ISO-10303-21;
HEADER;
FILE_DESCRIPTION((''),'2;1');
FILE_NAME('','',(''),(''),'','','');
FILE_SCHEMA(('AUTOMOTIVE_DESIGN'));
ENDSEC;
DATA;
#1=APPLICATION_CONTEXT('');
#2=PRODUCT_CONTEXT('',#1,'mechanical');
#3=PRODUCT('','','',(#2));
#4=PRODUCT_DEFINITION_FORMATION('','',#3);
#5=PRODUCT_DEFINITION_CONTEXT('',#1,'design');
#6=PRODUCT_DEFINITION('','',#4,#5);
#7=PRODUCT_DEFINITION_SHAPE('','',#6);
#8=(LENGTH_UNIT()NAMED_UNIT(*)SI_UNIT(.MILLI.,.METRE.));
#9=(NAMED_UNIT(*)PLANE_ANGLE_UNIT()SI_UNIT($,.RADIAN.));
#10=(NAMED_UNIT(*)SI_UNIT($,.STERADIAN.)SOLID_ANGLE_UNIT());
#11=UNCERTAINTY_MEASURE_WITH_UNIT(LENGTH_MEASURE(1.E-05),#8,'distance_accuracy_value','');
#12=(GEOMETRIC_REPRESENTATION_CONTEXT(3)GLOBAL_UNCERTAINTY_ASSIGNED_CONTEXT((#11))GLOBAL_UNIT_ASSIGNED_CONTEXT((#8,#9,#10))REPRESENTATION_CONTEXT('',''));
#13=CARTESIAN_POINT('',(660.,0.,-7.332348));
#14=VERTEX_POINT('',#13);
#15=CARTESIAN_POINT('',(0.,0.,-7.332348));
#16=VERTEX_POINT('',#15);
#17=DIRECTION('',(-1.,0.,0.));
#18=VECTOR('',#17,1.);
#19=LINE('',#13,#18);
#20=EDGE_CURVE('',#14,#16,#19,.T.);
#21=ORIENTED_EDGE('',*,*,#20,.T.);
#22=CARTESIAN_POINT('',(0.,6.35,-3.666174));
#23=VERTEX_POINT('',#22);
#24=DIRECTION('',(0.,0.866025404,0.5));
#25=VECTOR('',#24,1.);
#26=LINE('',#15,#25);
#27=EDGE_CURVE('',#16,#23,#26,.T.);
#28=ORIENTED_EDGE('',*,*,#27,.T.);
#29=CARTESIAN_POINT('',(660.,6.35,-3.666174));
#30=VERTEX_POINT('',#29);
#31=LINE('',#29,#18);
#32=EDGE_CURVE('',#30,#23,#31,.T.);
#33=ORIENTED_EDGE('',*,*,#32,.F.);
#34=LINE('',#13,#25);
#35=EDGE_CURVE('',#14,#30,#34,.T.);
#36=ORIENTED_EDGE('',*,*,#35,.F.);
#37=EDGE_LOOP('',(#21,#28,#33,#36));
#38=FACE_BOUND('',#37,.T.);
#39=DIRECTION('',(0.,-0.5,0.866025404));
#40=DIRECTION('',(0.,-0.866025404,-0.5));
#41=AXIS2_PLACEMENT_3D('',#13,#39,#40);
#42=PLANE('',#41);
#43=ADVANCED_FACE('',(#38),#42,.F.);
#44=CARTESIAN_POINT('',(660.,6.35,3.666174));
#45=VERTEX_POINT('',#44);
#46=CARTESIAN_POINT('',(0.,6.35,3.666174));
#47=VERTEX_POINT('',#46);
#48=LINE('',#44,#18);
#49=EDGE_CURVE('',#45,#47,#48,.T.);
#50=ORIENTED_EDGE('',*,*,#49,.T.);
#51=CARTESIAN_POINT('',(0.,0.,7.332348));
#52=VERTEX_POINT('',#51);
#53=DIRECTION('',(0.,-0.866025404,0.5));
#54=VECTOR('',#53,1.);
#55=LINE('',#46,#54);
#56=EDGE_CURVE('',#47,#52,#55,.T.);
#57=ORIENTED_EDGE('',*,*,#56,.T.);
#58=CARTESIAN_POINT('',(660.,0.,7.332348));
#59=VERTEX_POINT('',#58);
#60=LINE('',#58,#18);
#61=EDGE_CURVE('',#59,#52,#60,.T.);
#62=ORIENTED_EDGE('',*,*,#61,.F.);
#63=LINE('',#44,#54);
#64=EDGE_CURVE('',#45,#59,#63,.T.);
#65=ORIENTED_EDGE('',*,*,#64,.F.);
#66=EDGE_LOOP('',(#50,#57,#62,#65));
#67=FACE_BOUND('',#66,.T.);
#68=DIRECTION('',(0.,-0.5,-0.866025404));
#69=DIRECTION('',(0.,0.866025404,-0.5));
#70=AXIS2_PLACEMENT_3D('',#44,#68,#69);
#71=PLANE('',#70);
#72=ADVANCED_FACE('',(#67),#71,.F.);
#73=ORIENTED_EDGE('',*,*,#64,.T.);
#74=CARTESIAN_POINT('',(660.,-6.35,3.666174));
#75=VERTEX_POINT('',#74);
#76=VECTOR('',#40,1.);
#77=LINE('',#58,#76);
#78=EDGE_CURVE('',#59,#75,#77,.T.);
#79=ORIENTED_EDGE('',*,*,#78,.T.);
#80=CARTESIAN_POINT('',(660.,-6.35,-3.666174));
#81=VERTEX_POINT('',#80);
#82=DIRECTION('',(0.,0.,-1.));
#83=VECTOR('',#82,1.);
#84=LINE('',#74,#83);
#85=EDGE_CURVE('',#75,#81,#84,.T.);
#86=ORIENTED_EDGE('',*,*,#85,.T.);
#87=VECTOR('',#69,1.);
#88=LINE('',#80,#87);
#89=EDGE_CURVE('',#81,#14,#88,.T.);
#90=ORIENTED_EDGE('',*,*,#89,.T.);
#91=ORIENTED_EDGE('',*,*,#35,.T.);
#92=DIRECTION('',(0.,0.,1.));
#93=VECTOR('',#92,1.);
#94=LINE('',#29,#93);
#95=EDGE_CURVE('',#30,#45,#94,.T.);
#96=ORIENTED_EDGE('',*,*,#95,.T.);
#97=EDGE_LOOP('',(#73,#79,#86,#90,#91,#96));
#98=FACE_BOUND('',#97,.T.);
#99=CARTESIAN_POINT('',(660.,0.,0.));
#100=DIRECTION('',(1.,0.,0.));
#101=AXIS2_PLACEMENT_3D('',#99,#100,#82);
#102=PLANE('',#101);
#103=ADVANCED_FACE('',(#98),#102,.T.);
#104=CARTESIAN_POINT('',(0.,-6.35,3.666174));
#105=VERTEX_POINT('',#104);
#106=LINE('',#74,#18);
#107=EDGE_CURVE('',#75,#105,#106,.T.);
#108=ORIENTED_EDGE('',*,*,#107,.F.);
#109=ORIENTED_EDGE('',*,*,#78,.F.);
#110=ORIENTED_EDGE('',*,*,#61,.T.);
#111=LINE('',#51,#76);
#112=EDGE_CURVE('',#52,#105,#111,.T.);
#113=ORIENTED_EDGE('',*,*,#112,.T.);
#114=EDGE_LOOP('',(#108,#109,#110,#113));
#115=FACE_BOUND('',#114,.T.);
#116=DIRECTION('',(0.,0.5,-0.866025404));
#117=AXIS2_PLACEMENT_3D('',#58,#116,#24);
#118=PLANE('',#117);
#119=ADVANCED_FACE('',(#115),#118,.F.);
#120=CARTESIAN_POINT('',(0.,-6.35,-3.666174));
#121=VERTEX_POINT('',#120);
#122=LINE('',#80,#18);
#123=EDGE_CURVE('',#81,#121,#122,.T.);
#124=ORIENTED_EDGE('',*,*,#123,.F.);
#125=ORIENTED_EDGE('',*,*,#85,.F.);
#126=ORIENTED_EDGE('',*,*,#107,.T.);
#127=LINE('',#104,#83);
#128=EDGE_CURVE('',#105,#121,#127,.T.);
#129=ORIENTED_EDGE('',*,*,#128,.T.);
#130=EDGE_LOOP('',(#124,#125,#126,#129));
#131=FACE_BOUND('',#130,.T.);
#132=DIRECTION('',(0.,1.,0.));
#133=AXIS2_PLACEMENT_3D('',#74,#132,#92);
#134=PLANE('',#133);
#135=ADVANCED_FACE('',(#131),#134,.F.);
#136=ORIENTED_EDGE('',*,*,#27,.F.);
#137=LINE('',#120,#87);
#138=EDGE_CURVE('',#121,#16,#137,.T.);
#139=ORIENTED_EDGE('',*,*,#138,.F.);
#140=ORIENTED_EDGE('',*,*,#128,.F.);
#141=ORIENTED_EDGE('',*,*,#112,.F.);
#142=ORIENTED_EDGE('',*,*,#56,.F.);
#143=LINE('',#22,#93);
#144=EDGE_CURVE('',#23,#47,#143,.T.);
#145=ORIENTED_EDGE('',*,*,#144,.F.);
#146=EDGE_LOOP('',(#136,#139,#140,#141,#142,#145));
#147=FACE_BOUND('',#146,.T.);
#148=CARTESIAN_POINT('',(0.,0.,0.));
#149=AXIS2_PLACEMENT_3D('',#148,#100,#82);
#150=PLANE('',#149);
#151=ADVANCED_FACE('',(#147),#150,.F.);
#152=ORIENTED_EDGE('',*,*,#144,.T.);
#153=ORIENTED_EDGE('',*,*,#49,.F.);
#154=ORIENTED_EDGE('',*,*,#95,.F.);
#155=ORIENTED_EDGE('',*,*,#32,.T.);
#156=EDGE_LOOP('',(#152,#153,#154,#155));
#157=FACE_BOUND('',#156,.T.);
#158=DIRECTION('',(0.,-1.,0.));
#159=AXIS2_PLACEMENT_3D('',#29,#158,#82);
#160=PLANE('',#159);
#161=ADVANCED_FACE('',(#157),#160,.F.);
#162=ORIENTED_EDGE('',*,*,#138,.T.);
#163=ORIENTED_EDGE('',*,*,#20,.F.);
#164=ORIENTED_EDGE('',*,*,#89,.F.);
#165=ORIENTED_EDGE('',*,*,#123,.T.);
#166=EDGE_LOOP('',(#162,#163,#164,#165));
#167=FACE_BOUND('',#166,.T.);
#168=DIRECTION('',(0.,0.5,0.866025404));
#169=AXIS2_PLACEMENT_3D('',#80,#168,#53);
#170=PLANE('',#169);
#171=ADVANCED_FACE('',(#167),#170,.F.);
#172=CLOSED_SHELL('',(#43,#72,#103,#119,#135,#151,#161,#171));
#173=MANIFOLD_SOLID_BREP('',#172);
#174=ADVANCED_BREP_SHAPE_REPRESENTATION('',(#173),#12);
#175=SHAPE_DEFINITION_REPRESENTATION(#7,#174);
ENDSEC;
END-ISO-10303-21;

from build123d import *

# Parameters (mm, degrees)
SALIENTE_EXTRUIR1_DEPTH = 660


with BuildPart() as part:
    # Croquis1 → Saliente-Extruir1 (new body)
    with BuildSketch(Plane(origin=(0, 0, 0), x_dir=(0, 0, -1), z_dir=(1, 0, 0))):
        Polygon((7.332348419, 0), (3.666174209, 6.35), (-3.666174209, 6.35), (-7.332348419, 0), (-3.666174209, -6.35), (3.666174209, -6.35), align=None)
    extrude(amount=SALIENTE_EXTRUIR1_DEPTH)


solid = part.part
